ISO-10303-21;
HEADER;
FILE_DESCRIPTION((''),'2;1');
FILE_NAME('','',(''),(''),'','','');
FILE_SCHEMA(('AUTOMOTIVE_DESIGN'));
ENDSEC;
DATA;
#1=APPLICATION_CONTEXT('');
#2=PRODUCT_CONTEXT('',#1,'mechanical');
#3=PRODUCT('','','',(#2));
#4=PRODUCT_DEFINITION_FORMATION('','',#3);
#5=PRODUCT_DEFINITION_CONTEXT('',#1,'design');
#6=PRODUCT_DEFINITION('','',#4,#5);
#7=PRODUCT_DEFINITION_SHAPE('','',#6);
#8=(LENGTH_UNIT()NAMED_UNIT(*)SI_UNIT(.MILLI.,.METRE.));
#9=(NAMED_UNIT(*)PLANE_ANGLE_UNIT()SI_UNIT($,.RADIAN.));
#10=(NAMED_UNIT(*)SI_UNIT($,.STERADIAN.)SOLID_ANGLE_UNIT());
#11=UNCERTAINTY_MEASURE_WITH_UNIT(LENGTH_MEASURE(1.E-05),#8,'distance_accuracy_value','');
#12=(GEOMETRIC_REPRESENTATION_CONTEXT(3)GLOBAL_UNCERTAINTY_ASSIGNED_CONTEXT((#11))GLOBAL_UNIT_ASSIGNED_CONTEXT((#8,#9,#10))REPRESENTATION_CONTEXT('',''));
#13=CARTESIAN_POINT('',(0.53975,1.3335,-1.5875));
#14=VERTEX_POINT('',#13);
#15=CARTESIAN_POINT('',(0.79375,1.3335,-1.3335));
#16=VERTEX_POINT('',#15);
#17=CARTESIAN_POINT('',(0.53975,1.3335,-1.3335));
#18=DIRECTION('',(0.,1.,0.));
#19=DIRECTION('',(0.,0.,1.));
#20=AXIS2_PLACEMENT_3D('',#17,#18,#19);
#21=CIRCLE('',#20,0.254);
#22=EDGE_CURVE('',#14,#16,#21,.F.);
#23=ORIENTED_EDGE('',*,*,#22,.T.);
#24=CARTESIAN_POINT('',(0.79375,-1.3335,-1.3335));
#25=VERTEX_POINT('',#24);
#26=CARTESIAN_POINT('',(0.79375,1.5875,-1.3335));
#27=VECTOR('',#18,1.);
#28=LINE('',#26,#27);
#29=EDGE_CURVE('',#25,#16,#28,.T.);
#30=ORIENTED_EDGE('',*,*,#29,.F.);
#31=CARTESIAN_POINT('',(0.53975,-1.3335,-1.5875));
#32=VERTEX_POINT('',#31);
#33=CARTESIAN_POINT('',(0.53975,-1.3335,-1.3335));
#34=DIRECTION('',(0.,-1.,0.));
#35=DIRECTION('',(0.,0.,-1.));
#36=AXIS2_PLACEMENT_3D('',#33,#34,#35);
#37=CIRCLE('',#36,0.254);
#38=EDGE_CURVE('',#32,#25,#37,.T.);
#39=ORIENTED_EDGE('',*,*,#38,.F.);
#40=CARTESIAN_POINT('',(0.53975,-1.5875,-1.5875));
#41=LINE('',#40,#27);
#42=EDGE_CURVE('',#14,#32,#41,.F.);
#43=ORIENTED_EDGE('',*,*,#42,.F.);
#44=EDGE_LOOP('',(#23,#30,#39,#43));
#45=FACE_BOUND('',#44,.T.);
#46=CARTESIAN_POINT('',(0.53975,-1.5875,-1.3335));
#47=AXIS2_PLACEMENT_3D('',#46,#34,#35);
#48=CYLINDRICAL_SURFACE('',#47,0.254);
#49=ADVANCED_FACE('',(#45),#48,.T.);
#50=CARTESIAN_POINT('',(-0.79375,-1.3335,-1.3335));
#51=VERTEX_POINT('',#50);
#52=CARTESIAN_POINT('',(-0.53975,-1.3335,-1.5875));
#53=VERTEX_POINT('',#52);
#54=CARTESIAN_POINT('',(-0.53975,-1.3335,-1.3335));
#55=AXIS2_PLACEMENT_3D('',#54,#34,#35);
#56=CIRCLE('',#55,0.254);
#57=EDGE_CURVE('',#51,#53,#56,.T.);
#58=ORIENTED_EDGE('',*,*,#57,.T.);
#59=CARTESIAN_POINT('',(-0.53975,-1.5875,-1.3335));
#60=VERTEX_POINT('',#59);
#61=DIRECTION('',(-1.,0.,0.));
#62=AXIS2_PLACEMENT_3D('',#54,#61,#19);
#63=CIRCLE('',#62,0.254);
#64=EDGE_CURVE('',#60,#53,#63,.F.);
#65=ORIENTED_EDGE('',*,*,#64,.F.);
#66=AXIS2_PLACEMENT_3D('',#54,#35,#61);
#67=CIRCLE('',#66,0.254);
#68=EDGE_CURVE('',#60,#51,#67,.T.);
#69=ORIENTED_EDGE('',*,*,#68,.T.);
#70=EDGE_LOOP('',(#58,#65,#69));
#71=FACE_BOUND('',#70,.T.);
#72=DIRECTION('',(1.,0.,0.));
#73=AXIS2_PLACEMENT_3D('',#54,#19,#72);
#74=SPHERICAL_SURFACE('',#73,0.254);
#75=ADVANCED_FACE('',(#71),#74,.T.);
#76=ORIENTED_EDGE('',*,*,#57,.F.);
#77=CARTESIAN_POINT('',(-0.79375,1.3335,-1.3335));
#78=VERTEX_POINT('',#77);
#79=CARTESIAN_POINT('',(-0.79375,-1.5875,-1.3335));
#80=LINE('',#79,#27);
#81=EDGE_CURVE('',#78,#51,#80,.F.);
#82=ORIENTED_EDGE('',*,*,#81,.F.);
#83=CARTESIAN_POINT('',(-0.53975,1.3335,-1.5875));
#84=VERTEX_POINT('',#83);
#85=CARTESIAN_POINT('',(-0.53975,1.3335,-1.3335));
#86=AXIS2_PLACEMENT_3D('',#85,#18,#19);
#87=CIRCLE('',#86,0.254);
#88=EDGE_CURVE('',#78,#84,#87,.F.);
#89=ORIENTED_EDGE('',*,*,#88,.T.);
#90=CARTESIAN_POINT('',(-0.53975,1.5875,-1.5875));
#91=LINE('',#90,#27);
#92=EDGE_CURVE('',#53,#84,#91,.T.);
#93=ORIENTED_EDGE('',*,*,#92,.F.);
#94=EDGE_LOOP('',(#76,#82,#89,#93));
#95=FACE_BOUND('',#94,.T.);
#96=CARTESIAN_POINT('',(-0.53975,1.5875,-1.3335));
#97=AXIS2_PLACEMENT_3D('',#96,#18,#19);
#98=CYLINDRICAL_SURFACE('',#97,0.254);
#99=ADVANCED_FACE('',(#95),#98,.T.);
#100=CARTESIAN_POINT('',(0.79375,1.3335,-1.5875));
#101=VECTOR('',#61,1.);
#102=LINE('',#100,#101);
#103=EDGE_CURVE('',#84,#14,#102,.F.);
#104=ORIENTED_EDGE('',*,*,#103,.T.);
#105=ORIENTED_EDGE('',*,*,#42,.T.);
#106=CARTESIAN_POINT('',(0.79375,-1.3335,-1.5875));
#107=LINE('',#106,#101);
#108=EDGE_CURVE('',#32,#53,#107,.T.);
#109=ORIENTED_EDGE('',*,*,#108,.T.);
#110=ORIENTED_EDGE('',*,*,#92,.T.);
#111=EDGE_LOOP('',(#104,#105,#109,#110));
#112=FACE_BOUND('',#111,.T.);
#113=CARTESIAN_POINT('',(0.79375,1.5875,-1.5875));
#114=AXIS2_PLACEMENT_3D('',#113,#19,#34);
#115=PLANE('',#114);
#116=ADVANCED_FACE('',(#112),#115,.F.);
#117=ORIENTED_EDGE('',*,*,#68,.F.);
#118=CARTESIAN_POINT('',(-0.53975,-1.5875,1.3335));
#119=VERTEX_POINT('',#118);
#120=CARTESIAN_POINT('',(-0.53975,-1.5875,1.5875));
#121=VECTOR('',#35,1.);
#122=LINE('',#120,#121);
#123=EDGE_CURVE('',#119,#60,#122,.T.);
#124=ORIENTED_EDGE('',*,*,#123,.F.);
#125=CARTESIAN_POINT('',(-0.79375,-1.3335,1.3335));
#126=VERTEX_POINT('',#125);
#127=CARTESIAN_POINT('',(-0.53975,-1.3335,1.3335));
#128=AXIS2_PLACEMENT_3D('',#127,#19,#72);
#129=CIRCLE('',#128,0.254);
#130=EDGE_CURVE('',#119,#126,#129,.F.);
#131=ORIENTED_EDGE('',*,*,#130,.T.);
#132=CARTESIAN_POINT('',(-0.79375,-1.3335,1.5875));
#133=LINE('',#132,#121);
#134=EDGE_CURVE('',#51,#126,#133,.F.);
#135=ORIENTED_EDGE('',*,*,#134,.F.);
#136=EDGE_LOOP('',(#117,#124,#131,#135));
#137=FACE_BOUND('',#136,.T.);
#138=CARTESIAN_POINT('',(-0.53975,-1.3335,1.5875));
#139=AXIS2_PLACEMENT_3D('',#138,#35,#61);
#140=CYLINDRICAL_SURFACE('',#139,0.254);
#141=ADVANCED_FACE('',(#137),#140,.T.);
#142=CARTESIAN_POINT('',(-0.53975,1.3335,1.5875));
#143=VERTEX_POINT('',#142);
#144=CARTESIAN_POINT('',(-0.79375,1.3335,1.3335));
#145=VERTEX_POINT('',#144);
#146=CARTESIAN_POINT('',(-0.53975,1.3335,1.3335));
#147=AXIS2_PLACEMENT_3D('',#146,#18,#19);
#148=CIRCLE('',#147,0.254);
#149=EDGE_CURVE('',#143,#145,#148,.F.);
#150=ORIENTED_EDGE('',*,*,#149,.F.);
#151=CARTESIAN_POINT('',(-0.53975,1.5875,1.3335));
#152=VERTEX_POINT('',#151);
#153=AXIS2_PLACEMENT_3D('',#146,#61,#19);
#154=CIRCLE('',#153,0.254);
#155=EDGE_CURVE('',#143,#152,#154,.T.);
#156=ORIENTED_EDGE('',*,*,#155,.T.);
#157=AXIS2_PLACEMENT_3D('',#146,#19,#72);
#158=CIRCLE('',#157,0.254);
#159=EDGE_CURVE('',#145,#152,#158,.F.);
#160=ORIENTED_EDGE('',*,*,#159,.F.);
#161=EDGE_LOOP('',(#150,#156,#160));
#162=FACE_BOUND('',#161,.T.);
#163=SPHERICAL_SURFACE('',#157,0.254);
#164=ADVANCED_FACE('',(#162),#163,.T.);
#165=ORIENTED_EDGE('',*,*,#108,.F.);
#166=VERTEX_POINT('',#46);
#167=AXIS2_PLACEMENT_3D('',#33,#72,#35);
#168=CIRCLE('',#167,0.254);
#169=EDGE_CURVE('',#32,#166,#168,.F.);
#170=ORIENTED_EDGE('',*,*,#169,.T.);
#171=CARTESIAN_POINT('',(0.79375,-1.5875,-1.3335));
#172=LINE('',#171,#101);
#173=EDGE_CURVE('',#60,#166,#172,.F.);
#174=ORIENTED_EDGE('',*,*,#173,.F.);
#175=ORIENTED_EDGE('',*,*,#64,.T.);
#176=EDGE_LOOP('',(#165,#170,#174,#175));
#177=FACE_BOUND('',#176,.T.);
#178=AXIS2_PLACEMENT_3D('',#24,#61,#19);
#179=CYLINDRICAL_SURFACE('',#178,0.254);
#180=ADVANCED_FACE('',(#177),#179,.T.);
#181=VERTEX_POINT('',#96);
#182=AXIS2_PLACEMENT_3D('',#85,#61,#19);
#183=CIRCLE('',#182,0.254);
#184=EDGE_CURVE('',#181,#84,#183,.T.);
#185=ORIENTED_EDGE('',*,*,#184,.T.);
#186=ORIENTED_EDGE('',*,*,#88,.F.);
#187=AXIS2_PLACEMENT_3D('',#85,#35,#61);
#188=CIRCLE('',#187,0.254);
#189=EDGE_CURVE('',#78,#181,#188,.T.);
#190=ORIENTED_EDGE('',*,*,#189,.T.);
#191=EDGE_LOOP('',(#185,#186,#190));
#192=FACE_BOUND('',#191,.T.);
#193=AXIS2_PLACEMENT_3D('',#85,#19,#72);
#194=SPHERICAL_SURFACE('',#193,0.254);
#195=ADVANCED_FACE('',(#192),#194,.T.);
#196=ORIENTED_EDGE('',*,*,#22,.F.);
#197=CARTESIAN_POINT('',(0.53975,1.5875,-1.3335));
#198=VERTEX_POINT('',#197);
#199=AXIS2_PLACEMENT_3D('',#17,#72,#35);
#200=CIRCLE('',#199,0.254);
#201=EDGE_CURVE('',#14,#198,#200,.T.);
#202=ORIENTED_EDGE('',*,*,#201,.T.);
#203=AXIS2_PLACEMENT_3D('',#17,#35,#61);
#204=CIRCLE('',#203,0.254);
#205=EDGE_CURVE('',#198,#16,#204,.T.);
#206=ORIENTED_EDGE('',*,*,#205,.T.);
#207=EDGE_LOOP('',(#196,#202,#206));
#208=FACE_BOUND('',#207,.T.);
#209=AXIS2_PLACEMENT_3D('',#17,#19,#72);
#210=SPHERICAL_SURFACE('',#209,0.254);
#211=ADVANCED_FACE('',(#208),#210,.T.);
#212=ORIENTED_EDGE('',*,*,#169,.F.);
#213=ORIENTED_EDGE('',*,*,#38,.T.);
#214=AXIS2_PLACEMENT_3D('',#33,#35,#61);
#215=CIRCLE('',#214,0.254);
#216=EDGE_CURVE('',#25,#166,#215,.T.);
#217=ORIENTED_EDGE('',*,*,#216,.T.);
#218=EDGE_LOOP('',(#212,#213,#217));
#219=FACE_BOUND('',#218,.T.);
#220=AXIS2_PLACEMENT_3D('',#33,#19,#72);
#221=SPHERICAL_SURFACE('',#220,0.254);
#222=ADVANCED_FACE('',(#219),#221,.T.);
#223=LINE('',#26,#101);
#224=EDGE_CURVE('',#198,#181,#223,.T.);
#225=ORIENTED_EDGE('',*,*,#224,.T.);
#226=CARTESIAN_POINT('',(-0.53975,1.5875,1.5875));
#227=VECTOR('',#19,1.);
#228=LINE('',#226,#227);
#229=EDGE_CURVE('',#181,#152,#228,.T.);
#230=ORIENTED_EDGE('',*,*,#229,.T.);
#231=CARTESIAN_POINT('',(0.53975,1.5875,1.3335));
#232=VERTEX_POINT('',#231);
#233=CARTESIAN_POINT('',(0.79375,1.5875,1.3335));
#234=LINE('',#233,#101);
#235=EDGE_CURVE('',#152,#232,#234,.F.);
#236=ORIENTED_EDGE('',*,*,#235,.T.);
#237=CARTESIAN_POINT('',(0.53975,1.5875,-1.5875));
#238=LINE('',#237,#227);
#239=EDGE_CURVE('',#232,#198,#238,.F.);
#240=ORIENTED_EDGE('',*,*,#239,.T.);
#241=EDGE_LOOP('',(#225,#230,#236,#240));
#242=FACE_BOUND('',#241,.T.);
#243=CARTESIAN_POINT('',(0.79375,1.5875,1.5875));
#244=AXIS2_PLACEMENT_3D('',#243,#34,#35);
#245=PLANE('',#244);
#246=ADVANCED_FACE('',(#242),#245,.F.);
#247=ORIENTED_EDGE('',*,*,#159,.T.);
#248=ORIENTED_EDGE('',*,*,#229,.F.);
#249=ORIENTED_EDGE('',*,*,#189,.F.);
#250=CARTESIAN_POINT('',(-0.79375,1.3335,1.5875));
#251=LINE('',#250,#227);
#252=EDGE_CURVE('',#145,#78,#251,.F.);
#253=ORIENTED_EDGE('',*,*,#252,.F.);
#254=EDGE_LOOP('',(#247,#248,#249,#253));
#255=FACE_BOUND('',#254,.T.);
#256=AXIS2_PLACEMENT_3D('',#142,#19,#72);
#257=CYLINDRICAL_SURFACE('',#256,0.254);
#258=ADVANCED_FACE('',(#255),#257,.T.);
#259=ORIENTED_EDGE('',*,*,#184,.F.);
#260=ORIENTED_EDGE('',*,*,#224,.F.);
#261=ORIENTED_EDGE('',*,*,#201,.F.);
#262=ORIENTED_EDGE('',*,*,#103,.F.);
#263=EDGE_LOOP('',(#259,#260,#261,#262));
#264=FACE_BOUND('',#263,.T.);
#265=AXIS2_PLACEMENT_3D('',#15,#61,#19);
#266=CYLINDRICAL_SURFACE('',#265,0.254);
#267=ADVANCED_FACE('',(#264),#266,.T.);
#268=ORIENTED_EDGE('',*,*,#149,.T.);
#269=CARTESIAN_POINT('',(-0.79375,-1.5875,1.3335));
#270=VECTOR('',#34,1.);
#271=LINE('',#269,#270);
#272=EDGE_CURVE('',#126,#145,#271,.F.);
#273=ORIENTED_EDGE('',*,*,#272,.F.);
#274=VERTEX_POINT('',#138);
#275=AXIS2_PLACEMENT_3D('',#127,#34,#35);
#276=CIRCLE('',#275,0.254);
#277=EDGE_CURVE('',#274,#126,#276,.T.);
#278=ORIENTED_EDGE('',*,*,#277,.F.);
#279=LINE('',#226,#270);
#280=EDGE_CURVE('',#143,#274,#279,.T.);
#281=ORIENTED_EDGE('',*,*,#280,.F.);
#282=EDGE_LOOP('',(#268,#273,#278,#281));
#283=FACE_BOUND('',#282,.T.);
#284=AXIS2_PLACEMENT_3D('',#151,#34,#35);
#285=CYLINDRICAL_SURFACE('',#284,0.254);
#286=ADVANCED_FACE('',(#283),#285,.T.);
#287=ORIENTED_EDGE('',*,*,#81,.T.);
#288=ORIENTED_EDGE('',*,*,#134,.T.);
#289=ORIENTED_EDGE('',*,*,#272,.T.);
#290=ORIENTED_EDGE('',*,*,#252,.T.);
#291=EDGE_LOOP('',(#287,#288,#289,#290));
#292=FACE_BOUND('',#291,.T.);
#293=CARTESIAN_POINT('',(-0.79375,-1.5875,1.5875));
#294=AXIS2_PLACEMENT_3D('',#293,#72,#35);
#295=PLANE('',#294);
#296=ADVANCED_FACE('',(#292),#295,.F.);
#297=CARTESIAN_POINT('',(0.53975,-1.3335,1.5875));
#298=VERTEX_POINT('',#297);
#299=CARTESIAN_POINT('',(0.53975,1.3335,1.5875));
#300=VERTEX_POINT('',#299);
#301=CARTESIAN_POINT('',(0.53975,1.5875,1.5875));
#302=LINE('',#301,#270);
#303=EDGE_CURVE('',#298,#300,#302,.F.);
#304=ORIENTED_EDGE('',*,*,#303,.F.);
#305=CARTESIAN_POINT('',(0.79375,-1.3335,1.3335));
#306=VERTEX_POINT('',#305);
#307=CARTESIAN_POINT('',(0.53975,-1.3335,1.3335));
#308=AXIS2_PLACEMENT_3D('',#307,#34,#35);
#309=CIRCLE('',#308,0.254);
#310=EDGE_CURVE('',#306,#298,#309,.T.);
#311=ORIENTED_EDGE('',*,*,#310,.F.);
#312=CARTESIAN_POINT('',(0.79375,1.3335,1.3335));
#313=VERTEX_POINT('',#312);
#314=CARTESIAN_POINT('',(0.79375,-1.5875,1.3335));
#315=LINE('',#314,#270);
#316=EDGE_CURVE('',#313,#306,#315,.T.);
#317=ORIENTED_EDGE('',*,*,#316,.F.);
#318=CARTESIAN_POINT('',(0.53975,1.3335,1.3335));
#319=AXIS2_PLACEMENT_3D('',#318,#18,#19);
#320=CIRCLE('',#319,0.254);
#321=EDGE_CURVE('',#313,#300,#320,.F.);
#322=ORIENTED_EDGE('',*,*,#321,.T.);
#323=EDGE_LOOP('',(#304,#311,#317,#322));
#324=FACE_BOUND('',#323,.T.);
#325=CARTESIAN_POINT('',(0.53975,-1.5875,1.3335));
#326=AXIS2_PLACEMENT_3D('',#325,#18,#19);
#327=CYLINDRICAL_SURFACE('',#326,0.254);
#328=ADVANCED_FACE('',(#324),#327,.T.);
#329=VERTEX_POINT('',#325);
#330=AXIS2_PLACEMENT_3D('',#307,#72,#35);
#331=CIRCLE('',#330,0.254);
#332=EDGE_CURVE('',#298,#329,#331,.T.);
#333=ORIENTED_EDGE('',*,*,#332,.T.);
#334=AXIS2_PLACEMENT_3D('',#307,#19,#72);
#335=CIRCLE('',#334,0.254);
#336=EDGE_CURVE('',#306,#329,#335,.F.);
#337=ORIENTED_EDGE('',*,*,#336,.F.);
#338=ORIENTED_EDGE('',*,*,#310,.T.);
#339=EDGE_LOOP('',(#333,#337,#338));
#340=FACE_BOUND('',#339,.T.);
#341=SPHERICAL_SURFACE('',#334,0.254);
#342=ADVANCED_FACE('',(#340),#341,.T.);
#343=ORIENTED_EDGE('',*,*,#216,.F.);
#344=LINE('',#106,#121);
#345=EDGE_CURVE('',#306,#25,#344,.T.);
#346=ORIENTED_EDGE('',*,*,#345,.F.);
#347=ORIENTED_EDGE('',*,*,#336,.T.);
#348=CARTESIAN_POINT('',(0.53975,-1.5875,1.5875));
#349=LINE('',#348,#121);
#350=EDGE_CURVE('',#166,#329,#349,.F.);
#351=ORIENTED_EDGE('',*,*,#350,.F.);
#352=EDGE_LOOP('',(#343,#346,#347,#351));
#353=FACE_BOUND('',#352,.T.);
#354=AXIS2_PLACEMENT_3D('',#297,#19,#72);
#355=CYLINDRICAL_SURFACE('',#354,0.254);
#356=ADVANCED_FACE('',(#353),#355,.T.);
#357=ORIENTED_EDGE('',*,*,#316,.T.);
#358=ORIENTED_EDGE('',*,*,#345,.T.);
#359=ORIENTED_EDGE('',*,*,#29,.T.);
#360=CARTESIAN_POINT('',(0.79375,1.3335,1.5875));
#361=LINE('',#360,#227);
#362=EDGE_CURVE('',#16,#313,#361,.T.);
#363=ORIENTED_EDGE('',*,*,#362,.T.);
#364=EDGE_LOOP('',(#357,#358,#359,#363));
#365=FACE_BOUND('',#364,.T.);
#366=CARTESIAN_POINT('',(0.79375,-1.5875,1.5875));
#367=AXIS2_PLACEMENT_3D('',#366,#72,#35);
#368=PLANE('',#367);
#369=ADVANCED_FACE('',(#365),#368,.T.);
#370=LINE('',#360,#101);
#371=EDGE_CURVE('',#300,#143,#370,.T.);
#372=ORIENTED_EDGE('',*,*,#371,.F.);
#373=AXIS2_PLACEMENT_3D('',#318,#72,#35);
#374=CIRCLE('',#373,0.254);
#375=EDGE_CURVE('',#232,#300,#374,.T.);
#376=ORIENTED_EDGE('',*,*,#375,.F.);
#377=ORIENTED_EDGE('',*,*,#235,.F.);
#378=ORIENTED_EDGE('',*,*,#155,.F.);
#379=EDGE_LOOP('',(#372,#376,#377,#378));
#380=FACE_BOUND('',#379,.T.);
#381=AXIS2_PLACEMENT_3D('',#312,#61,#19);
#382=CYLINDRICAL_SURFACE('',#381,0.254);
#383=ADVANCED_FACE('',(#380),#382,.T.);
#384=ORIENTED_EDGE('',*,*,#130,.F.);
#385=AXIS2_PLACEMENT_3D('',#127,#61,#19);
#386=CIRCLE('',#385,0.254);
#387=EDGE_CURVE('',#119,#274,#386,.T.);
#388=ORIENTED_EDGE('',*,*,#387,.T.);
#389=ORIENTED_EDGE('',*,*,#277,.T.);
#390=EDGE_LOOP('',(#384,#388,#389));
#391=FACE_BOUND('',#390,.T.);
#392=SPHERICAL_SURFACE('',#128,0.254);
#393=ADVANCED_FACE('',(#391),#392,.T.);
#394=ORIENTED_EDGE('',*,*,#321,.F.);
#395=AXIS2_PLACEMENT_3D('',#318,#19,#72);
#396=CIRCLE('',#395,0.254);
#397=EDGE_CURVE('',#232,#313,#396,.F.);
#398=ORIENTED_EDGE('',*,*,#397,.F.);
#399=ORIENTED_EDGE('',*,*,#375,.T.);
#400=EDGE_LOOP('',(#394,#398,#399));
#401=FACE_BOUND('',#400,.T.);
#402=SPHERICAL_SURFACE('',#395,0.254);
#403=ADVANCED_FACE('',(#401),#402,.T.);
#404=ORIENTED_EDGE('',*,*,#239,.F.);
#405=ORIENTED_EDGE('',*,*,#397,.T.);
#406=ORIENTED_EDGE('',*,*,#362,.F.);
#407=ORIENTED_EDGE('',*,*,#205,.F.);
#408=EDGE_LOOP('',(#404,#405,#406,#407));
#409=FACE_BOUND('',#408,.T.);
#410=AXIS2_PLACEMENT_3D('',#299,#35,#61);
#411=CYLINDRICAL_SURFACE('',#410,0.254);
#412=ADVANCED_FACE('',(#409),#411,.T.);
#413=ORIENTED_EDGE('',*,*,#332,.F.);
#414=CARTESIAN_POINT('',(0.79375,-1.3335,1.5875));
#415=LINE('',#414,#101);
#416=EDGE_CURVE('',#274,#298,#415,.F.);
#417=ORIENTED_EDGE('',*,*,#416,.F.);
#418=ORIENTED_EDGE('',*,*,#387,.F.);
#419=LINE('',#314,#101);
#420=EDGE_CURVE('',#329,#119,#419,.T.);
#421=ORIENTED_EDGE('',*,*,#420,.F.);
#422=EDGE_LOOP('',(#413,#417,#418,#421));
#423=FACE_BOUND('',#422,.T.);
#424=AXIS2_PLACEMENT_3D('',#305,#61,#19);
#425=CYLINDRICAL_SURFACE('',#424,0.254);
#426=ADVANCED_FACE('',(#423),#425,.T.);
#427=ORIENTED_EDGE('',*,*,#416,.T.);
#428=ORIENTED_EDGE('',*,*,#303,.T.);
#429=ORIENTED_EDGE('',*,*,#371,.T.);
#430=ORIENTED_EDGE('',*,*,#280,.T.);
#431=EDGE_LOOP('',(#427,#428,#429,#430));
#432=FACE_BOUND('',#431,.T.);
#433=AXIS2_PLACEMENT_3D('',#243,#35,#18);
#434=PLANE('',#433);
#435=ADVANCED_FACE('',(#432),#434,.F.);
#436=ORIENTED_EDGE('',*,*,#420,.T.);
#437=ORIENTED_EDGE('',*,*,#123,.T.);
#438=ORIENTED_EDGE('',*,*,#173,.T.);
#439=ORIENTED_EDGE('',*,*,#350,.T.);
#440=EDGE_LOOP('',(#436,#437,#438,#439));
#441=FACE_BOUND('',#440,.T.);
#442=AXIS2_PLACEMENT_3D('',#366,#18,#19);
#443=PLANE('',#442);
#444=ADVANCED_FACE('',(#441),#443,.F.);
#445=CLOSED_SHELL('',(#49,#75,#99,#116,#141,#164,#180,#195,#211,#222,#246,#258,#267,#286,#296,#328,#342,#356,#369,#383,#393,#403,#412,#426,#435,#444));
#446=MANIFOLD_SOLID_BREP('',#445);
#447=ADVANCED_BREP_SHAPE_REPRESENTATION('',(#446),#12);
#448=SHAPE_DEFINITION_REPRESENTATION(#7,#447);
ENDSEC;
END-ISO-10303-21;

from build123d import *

# Parameters (mm, degrees)
SKETCH1_W      = 3.175
SKETCH1_H      = 3.175
EXTRUDE1_DEPTH = 0.79375
FILLET1_R      = 0.254


with BuildPart() as part:
    # Sketch1 → Extrude1 (new, symmetric)
    with BuildSketch(Plane(origin=(0, 0, 0), x_dir=(0, 0, -1), z_dir=(1, 0, 0))):
        Rectangle(SKETCH1_W, SKETCH1_H)
    extrude(amount=EXTRUDE1_DEPTH, both=True)

    # Fillet1
    fillet1_edges = [part.edges().sort_by_distance(p)[0] for p in [
        (0.79375, 0, -1.5875),
        (0.79375, 1.5875, 0),
        (0.79375, 0, 1.5875),
        (-0.79375, 1.5875, 0),
        (-0.79375, 0, -1.5875),
        (-0.79375, -1.5875, 0),
        (-0.79375, 0, 1.5875),
        (0.79375, -1.5875, 0),
        (0, 1.5875, 1.5875),
        (0, 1.5875, -1.5875),
        (0, -1.5875, -1.5875),
        (0, -1.5875, 1.5875),
    ]]
    fillet(fillet1_edges, radius=FILLET1_R)


solid = part.part
